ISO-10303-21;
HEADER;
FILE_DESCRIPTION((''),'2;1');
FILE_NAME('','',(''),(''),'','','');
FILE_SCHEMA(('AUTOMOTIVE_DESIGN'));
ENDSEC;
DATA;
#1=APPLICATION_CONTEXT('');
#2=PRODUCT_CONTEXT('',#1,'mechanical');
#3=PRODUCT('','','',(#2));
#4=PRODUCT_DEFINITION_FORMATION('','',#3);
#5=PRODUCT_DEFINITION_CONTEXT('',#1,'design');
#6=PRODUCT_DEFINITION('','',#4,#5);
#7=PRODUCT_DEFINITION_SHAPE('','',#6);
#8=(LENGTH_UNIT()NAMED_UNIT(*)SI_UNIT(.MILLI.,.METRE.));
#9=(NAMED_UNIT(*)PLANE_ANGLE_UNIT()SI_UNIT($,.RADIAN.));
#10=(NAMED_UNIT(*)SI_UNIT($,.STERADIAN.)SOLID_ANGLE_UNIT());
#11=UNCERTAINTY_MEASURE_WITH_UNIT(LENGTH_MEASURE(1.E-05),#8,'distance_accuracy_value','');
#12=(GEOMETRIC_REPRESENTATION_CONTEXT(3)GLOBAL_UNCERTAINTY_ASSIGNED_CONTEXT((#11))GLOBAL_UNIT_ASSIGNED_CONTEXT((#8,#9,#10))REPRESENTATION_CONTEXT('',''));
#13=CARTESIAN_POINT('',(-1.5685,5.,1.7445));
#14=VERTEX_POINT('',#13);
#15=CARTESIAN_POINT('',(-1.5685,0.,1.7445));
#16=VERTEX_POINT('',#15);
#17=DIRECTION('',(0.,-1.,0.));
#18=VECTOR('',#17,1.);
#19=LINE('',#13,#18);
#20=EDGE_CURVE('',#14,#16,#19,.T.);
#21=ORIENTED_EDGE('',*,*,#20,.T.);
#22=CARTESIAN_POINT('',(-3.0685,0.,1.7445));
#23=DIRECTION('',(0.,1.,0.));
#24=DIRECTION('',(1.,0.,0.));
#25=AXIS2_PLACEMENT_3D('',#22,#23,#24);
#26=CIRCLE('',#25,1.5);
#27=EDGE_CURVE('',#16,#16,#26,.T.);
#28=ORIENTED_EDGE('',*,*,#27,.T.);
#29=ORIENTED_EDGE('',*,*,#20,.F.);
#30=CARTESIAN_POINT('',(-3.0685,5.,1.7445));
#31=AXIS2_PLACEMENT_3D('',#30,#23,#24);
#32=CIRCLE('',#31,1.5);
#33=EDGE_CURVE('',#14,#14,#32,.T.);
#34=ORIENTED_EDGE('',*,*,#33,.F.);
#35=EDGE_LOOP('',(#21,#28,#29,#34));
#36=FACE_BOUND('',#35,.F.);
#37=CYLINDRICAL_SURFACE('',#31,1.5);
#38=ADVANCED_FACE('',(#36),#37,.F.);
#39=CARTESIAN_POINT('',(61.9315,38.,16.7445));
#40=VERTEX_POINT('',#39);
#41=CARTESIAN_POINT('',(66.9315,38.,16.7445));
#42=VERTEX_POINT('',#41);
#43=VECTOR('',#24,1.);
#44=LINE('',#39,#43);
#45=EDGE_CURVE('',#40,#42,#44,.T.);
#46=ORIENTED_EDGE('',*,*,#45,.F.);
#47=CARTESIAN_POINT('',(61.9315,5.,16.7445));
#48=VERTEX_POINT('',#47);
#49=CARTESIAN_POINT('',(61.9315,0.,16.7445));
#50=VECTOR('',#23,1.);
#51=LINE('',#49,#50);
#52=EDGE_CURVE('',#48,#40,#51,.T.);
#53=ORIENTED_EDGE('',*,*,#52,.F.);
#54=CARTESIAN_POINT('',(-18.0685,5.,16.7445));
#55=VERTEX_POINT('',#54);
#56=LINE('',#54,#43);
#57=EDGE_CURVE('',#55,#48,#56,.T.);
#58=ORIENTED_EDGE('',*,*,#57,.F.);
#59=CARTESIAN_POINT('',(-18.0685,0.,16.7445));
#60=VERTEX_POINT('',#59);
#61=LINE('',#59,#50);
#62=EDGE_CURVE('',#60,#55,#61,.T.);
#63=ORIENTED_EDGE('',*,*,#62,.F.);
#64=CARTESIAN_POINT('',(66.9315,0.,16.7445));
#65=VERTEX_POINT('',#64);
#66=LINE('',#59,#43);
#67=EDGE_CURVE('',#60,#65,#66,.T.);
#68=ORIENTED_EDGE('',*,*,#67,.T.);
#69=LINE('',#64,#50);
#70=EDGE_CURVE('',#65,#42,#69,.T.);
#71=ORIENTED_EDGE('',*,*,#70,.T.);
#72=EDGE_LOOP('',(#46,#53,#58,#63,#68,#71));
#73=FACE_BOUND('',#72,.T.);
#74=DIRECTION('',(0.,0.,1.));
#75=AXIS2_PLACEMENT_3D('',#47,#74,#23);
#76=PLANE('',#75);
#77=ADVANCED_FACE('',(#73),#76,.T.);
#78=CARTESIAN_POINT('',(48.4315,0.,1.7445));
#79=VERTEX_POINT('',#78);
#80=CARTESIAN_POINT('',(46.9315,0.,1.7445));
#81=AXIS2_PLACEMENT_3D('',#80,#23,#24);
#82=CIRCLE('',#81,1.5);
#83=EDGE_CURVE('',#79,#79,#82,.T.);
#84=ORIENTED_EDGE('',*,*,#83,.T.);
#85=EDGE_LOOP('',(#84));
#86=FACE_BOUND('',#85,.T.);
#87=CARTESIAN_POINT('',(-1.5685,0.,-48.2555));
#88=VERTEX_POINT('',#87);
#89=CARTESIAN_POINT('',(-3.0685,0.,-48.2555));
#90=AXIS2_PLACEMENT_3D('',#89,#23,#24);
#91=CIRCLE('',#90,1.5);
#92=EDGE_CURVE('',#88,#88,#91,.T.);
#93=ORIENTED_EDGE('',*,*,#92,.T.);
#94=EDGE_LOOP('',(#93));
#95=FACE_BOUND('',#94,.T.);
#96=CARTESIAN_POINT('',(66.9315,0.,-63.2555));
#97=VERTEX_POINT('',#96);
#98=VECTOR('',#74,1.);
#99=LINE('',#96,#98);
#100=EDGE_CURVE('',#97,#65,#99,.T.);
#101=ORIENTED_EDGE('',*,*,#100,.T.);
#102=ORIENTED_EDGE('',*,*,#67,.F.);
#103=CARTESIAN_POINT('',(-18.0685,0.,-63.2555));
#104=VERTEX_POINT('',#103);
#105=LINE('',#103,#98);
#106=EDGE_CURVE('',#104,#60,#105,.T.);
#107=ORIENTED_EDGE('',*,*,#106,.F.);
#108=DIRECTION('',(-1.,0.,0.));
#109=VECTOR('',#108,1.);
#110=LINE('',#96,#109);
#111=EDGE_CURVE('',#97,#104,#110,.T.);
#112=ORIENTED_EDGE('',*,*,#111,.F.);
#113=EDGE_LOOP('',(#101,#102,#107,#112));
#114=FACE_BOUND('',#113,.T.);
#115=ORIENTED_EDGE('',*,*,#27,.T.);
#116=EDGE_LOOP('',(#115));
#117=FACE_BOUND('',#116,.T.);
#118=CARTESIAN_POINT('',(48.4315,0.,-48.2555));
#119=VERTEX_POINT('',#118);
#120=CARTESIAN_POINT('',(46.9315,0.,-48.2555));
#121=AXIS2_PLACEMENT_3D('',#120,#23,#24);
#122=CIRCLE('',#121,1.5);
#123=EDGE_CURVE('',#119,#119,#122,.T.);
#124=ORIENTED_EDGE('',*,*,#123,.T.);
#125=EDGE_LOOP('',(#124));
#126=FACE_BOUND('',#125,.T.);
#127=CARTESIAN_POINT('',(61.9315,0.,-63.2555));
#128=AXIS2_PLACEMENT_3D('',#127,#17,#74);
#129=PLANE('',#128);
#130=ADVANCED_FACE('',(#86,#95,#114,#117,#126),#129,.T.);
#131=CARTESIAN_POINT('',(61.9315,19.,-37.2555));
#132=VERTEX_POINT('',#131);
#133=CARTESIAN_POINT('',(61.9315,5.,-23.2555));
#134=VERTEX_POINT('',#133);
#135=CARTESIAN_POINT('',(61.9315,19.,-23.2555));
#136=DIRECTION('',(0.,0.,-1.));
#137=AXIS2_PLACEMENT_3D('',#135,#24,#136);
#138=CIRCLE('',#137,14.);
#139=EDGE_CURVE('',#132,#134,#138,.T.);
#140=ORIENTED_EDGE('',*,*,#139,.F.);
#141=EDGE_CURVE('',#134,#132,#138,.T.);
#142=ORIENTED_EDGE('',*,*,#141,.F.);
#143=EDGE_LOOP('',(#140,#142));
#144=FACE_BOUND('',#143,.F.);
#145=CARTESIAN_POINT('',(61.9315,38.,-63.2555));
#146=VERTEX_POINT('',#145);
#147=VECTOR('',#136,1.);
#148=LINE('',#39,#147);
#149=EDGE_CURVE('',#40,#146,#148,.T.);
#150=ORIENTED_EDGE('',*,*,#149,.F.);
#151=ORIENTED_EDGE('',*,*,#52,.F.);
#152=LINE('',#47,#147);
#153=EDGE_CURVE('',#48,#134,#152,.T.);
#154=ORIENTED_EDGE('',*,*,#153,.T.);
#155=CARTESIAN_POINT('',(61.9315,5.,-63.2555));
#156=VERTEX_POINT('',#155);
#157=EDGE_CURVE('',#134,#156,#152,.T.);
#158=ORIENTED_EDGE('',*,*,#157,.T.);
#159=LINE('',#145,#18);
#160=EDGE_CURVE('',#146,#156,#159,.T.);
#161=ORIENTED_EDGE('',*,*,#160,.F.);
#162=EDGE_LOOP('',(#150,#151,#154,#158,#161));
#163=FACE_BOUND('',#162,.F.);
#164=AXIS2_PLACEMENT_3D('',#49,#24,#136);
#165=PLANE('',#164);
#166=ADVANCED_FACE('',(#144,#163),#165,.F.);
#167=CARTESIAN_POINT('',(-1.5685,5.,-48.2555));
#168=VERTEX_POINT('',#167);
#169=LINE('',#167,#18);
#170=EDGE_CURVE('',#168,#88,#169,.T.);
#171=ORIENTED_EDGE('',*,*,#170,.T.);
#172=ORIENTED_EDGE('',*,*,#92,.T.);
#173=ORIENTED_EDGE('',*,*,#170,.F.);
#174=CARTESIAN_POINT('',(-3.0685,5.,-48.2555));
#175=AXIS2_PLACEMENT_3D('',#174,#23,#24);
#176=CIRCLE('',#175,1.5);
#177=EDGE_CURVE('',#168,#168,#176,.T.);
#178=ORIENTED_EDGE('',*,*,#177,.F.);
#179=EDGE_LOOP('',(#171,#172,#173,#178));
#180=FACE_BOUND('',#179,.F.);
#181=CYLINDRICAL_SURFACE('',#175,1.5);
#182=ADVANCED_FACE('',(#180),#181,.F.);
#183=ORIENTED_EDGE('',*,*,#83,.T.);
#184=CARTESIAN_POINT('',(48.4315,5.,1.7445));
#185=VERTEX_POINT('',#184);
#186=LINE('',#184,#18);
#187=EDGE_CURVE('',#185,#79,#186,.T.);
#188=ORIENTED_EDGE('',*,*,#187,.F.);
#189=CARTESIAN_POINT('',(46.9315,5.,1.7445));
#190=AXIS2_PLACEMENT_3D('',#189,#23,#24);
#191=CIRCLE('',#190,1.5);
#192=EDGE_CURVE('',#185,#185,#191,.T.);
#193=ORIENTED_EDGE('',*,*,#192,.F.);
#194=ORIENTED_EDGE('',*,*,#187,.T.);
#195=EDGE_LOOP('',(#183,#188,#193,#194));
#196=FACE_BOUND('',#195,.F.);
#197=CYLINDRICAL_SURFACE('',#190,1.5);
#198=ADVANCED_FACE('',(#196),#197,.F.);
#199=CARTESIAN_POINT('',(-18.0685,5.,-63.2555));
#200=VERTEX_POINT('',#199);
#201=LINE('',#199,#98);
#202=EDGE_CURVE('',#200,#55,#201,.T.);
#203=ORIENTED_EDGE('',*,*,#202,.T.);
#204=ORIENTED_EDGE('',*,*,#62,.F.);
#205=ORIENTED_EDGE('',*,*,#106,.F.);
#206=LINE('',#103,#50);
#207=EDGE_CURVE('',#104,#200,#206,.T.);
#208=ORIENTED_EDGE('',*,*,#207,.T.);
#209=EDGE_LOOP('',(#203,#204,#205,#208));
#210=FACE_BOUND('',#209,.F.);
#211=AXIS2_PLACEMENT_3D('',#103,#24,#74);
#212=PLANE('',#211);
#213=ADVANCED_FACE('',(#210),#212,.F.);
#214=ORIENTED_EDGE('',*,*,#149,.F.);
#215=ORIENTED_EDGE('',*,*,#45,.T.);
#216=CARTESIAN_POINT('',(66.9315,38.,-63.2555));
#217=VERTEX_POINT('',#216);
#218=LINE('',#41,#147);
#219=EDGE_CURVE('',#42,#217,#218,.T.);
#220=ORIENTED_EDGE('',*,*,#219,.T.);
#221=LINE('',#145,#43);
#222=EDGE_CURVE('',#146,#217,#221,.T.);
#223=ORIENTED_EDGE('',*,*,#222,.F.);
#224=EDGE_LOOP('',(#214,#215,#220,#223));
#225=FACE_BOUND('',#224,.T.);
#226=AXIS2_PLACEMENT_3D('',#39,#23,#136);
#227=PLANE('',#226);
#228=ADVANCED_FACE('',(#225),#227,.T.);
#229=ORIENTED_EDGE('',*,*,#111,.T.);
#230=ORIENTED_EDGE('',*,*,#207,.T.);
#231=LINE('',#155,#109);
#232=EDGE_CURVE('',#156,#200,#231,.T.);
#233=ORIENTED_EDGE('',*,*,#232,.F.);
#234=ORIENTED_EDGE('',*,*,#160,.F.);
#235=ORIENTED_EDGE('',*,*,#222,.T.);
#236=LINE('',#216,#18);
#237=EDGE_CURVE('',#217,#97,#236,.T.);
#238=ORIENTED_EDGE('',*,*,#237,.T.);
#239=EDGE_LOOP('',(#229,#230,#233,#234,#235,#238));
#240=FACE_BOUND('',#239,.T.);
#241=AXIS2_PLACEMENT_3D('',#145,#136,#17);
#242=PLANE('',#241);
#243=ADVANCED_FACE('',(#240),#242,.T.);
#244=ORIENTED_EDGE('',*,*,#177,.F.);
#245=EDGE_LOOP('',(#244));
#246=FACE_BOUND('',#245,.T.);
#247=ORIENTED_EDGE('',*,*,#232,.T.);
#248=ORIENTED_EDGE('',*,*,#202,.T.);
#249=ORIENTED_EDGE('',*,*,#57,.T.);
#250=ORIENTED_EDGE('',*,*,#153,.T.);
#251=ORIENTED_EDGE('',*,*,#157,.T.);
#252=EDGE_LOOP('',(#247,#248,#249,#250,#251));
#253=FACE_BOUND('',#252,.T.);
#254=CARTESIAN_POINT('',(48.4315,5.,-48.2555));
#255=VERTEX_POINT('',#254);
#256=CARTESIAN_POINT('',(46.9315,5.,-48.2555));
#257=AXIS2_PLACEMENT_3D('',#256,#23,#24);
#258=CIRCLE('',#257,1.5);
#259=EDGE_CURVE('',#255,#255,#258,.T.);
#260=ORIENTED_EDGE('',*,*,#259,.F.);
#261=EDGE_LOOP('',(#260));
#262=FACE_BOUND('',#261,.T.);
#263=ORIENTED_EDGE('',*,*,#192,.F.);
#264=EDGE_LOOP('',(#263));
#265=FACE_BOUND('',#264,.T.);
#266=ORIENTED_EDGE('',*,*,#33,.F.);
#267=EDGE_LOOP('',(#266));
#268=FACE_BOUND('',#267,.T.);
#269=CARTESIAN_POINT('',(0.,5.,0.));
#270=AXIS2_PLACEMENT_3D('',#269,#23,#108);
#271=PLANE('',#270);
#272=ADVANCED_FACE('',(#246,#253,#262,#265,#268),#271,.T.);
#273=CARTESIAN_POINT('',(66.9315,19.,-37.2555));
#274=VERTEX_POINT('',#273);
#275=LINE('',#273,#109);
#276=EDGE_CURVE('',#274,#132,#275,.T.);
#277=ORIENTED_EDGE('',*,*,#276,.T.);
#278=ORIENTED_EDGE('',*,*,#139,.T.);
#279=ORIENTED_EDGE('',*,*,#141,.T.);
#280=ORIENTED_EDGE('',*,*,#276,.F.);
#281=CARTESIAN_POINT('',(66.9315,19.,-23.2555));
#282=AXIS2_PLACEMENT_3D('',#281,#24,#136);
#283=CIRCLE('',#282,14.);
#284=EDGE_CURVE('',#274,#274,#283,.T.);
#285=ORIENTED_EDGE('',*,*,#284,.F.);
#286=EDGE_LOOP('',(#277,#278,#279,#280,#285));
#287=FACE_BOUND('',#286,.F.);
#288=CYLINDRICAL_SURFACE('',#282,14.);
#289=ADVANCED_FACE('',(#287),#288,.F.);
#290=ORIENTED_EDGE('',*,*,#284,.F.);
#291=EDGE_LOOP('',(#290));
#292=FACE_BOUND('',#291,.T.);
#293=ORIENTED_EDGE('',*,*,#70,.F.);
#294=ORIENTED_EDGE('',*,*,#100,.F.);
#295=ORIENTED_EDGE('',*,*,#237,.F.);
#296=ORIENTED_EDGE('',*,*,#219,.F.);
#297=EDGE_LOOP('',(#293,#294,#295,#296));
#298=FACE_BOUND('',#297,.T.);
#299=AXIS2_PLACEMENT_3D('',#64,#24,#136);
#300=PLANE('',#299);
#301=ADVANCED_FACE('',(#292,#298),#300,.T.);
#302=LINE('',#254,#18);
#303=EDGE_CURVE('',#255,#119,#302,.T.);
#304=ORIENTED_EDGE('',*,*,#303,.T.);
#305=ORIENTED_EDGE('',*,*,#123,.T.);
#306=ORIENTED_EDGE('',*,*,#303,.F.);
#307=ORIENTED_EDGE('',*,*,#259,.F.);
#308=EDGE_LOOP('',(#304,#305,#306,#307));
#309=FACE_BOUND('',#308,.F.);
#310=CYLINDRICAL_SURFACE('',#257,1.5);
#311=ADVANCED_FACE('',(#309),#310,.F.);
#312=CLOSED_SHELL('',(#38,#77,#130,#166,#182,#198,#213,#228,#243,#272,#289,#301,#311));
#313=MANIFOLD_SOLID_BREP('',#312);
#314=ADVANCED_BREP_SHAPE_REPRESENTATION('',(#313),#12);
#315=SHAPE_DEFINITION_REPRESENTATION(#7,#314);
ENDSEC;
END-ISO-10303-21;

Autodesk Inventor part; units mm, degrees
ref_plane "YZ Plane" through (0, 0, 0) normal (1, 0, 0) x (0, 1, 0)
ref_plane "XZ Plane" through (0, 0, 0) normal (0, 1, 0) x (-1, 0, 0)
ref_plane "XY Plane" through (0, 0, 0) normal (0, 0, 1) x (1, 0, 0)
sketch "草图1" plane through (0, 0, 0) normal (0, 1, 0) x (-1, 0, 0)
  line L0 (18.0685, 16.7445) -> (-61.9315, 16.7445)
  line L1 (-61.9315, 16.7445) -> (-61.9315, -63.2555)
  line L2 (-61.9315, -63.2555) -> (18.0685, -63.2555)
  line L3 (18.0685, -63.2555) -> (18.0685, 16.7445)
  point P0 (0, 0)
  dimension "d0" = 80
  dimension "d1" = 80
extrude "拉伸1" add sketch "草图1" along normal blind 5
sketch "草图2" plane through (0, 5, 0) normal (0, 1, 0) x (1, 0, 0)
  circle A0 centre (46.9315, -1.7445) radius 1.5
  line L0 (61.9315, -16.7445) -> (61.9315, 63.2555) projected
  line L1 (-18.0685, -16.7445) -> (61.9315, -16.7445) projected
  circle A1 centre (-3.0685, -1.7445) radius 1.5
  circle A2 centre (-3.0685, 48.2555) radius 1.5
  circle A3 centre (46.9315, 48.2555) radius 1.5
  point P0 (0, 0)
  dimension "d4" = 15
  dimension "d5" = 15
  dimension "d6" = 3
  dimension "d9" = 50
  dimension "d16" = 50
  dimension "d23" = 50
extrude "拉伸2" cut sketch "草图2" against normal blind 5
sketch "草图3" plane through (61.9315, 0, 16.7445) normal (1, 0, 0) x (0, 0, -1)
  line L0 (0, 38) -> (80, 38)
  line L1 (80, 38) -> (80, 0)
  line L2 (80, 0) -> (0, 0)
  line L3 (0, 0) -> (0, 38)
  line L4 (0, 0) -> (80, 0) projected
  line L5 (0, 0) -> (0, 5) projected
  point P0 (16.7445, 0)
  point P1 (0, 2.5)
  point P2 (0, 19)
  dimension "d30" = 38
  dimension "d31" = 80
  dimension "d32" = 0
  dimension "d33" = 0
extrude "拉伸3" add sketch "草图3" along normal blind 5
sketch "草图4" plane through (66.9315, 0, 16.7445) normal (1, 0, 0) x (0, 0, -1)
  circle A0 centre (40, 19) radius 14
  line L0 (0, 38) -> (0, 0) projected
  line L1 (0, 0) -> (80, 0) projected
  point P0 (16.7445, 0)
  point P1 (40, 0)
  dimension "d36" = 28
  dimension "d37" = 40
  dimension "d38" = 19
extrude "拉伸4" cut sketch "草图4" against normal blind 5
properties part number "电机底座"
